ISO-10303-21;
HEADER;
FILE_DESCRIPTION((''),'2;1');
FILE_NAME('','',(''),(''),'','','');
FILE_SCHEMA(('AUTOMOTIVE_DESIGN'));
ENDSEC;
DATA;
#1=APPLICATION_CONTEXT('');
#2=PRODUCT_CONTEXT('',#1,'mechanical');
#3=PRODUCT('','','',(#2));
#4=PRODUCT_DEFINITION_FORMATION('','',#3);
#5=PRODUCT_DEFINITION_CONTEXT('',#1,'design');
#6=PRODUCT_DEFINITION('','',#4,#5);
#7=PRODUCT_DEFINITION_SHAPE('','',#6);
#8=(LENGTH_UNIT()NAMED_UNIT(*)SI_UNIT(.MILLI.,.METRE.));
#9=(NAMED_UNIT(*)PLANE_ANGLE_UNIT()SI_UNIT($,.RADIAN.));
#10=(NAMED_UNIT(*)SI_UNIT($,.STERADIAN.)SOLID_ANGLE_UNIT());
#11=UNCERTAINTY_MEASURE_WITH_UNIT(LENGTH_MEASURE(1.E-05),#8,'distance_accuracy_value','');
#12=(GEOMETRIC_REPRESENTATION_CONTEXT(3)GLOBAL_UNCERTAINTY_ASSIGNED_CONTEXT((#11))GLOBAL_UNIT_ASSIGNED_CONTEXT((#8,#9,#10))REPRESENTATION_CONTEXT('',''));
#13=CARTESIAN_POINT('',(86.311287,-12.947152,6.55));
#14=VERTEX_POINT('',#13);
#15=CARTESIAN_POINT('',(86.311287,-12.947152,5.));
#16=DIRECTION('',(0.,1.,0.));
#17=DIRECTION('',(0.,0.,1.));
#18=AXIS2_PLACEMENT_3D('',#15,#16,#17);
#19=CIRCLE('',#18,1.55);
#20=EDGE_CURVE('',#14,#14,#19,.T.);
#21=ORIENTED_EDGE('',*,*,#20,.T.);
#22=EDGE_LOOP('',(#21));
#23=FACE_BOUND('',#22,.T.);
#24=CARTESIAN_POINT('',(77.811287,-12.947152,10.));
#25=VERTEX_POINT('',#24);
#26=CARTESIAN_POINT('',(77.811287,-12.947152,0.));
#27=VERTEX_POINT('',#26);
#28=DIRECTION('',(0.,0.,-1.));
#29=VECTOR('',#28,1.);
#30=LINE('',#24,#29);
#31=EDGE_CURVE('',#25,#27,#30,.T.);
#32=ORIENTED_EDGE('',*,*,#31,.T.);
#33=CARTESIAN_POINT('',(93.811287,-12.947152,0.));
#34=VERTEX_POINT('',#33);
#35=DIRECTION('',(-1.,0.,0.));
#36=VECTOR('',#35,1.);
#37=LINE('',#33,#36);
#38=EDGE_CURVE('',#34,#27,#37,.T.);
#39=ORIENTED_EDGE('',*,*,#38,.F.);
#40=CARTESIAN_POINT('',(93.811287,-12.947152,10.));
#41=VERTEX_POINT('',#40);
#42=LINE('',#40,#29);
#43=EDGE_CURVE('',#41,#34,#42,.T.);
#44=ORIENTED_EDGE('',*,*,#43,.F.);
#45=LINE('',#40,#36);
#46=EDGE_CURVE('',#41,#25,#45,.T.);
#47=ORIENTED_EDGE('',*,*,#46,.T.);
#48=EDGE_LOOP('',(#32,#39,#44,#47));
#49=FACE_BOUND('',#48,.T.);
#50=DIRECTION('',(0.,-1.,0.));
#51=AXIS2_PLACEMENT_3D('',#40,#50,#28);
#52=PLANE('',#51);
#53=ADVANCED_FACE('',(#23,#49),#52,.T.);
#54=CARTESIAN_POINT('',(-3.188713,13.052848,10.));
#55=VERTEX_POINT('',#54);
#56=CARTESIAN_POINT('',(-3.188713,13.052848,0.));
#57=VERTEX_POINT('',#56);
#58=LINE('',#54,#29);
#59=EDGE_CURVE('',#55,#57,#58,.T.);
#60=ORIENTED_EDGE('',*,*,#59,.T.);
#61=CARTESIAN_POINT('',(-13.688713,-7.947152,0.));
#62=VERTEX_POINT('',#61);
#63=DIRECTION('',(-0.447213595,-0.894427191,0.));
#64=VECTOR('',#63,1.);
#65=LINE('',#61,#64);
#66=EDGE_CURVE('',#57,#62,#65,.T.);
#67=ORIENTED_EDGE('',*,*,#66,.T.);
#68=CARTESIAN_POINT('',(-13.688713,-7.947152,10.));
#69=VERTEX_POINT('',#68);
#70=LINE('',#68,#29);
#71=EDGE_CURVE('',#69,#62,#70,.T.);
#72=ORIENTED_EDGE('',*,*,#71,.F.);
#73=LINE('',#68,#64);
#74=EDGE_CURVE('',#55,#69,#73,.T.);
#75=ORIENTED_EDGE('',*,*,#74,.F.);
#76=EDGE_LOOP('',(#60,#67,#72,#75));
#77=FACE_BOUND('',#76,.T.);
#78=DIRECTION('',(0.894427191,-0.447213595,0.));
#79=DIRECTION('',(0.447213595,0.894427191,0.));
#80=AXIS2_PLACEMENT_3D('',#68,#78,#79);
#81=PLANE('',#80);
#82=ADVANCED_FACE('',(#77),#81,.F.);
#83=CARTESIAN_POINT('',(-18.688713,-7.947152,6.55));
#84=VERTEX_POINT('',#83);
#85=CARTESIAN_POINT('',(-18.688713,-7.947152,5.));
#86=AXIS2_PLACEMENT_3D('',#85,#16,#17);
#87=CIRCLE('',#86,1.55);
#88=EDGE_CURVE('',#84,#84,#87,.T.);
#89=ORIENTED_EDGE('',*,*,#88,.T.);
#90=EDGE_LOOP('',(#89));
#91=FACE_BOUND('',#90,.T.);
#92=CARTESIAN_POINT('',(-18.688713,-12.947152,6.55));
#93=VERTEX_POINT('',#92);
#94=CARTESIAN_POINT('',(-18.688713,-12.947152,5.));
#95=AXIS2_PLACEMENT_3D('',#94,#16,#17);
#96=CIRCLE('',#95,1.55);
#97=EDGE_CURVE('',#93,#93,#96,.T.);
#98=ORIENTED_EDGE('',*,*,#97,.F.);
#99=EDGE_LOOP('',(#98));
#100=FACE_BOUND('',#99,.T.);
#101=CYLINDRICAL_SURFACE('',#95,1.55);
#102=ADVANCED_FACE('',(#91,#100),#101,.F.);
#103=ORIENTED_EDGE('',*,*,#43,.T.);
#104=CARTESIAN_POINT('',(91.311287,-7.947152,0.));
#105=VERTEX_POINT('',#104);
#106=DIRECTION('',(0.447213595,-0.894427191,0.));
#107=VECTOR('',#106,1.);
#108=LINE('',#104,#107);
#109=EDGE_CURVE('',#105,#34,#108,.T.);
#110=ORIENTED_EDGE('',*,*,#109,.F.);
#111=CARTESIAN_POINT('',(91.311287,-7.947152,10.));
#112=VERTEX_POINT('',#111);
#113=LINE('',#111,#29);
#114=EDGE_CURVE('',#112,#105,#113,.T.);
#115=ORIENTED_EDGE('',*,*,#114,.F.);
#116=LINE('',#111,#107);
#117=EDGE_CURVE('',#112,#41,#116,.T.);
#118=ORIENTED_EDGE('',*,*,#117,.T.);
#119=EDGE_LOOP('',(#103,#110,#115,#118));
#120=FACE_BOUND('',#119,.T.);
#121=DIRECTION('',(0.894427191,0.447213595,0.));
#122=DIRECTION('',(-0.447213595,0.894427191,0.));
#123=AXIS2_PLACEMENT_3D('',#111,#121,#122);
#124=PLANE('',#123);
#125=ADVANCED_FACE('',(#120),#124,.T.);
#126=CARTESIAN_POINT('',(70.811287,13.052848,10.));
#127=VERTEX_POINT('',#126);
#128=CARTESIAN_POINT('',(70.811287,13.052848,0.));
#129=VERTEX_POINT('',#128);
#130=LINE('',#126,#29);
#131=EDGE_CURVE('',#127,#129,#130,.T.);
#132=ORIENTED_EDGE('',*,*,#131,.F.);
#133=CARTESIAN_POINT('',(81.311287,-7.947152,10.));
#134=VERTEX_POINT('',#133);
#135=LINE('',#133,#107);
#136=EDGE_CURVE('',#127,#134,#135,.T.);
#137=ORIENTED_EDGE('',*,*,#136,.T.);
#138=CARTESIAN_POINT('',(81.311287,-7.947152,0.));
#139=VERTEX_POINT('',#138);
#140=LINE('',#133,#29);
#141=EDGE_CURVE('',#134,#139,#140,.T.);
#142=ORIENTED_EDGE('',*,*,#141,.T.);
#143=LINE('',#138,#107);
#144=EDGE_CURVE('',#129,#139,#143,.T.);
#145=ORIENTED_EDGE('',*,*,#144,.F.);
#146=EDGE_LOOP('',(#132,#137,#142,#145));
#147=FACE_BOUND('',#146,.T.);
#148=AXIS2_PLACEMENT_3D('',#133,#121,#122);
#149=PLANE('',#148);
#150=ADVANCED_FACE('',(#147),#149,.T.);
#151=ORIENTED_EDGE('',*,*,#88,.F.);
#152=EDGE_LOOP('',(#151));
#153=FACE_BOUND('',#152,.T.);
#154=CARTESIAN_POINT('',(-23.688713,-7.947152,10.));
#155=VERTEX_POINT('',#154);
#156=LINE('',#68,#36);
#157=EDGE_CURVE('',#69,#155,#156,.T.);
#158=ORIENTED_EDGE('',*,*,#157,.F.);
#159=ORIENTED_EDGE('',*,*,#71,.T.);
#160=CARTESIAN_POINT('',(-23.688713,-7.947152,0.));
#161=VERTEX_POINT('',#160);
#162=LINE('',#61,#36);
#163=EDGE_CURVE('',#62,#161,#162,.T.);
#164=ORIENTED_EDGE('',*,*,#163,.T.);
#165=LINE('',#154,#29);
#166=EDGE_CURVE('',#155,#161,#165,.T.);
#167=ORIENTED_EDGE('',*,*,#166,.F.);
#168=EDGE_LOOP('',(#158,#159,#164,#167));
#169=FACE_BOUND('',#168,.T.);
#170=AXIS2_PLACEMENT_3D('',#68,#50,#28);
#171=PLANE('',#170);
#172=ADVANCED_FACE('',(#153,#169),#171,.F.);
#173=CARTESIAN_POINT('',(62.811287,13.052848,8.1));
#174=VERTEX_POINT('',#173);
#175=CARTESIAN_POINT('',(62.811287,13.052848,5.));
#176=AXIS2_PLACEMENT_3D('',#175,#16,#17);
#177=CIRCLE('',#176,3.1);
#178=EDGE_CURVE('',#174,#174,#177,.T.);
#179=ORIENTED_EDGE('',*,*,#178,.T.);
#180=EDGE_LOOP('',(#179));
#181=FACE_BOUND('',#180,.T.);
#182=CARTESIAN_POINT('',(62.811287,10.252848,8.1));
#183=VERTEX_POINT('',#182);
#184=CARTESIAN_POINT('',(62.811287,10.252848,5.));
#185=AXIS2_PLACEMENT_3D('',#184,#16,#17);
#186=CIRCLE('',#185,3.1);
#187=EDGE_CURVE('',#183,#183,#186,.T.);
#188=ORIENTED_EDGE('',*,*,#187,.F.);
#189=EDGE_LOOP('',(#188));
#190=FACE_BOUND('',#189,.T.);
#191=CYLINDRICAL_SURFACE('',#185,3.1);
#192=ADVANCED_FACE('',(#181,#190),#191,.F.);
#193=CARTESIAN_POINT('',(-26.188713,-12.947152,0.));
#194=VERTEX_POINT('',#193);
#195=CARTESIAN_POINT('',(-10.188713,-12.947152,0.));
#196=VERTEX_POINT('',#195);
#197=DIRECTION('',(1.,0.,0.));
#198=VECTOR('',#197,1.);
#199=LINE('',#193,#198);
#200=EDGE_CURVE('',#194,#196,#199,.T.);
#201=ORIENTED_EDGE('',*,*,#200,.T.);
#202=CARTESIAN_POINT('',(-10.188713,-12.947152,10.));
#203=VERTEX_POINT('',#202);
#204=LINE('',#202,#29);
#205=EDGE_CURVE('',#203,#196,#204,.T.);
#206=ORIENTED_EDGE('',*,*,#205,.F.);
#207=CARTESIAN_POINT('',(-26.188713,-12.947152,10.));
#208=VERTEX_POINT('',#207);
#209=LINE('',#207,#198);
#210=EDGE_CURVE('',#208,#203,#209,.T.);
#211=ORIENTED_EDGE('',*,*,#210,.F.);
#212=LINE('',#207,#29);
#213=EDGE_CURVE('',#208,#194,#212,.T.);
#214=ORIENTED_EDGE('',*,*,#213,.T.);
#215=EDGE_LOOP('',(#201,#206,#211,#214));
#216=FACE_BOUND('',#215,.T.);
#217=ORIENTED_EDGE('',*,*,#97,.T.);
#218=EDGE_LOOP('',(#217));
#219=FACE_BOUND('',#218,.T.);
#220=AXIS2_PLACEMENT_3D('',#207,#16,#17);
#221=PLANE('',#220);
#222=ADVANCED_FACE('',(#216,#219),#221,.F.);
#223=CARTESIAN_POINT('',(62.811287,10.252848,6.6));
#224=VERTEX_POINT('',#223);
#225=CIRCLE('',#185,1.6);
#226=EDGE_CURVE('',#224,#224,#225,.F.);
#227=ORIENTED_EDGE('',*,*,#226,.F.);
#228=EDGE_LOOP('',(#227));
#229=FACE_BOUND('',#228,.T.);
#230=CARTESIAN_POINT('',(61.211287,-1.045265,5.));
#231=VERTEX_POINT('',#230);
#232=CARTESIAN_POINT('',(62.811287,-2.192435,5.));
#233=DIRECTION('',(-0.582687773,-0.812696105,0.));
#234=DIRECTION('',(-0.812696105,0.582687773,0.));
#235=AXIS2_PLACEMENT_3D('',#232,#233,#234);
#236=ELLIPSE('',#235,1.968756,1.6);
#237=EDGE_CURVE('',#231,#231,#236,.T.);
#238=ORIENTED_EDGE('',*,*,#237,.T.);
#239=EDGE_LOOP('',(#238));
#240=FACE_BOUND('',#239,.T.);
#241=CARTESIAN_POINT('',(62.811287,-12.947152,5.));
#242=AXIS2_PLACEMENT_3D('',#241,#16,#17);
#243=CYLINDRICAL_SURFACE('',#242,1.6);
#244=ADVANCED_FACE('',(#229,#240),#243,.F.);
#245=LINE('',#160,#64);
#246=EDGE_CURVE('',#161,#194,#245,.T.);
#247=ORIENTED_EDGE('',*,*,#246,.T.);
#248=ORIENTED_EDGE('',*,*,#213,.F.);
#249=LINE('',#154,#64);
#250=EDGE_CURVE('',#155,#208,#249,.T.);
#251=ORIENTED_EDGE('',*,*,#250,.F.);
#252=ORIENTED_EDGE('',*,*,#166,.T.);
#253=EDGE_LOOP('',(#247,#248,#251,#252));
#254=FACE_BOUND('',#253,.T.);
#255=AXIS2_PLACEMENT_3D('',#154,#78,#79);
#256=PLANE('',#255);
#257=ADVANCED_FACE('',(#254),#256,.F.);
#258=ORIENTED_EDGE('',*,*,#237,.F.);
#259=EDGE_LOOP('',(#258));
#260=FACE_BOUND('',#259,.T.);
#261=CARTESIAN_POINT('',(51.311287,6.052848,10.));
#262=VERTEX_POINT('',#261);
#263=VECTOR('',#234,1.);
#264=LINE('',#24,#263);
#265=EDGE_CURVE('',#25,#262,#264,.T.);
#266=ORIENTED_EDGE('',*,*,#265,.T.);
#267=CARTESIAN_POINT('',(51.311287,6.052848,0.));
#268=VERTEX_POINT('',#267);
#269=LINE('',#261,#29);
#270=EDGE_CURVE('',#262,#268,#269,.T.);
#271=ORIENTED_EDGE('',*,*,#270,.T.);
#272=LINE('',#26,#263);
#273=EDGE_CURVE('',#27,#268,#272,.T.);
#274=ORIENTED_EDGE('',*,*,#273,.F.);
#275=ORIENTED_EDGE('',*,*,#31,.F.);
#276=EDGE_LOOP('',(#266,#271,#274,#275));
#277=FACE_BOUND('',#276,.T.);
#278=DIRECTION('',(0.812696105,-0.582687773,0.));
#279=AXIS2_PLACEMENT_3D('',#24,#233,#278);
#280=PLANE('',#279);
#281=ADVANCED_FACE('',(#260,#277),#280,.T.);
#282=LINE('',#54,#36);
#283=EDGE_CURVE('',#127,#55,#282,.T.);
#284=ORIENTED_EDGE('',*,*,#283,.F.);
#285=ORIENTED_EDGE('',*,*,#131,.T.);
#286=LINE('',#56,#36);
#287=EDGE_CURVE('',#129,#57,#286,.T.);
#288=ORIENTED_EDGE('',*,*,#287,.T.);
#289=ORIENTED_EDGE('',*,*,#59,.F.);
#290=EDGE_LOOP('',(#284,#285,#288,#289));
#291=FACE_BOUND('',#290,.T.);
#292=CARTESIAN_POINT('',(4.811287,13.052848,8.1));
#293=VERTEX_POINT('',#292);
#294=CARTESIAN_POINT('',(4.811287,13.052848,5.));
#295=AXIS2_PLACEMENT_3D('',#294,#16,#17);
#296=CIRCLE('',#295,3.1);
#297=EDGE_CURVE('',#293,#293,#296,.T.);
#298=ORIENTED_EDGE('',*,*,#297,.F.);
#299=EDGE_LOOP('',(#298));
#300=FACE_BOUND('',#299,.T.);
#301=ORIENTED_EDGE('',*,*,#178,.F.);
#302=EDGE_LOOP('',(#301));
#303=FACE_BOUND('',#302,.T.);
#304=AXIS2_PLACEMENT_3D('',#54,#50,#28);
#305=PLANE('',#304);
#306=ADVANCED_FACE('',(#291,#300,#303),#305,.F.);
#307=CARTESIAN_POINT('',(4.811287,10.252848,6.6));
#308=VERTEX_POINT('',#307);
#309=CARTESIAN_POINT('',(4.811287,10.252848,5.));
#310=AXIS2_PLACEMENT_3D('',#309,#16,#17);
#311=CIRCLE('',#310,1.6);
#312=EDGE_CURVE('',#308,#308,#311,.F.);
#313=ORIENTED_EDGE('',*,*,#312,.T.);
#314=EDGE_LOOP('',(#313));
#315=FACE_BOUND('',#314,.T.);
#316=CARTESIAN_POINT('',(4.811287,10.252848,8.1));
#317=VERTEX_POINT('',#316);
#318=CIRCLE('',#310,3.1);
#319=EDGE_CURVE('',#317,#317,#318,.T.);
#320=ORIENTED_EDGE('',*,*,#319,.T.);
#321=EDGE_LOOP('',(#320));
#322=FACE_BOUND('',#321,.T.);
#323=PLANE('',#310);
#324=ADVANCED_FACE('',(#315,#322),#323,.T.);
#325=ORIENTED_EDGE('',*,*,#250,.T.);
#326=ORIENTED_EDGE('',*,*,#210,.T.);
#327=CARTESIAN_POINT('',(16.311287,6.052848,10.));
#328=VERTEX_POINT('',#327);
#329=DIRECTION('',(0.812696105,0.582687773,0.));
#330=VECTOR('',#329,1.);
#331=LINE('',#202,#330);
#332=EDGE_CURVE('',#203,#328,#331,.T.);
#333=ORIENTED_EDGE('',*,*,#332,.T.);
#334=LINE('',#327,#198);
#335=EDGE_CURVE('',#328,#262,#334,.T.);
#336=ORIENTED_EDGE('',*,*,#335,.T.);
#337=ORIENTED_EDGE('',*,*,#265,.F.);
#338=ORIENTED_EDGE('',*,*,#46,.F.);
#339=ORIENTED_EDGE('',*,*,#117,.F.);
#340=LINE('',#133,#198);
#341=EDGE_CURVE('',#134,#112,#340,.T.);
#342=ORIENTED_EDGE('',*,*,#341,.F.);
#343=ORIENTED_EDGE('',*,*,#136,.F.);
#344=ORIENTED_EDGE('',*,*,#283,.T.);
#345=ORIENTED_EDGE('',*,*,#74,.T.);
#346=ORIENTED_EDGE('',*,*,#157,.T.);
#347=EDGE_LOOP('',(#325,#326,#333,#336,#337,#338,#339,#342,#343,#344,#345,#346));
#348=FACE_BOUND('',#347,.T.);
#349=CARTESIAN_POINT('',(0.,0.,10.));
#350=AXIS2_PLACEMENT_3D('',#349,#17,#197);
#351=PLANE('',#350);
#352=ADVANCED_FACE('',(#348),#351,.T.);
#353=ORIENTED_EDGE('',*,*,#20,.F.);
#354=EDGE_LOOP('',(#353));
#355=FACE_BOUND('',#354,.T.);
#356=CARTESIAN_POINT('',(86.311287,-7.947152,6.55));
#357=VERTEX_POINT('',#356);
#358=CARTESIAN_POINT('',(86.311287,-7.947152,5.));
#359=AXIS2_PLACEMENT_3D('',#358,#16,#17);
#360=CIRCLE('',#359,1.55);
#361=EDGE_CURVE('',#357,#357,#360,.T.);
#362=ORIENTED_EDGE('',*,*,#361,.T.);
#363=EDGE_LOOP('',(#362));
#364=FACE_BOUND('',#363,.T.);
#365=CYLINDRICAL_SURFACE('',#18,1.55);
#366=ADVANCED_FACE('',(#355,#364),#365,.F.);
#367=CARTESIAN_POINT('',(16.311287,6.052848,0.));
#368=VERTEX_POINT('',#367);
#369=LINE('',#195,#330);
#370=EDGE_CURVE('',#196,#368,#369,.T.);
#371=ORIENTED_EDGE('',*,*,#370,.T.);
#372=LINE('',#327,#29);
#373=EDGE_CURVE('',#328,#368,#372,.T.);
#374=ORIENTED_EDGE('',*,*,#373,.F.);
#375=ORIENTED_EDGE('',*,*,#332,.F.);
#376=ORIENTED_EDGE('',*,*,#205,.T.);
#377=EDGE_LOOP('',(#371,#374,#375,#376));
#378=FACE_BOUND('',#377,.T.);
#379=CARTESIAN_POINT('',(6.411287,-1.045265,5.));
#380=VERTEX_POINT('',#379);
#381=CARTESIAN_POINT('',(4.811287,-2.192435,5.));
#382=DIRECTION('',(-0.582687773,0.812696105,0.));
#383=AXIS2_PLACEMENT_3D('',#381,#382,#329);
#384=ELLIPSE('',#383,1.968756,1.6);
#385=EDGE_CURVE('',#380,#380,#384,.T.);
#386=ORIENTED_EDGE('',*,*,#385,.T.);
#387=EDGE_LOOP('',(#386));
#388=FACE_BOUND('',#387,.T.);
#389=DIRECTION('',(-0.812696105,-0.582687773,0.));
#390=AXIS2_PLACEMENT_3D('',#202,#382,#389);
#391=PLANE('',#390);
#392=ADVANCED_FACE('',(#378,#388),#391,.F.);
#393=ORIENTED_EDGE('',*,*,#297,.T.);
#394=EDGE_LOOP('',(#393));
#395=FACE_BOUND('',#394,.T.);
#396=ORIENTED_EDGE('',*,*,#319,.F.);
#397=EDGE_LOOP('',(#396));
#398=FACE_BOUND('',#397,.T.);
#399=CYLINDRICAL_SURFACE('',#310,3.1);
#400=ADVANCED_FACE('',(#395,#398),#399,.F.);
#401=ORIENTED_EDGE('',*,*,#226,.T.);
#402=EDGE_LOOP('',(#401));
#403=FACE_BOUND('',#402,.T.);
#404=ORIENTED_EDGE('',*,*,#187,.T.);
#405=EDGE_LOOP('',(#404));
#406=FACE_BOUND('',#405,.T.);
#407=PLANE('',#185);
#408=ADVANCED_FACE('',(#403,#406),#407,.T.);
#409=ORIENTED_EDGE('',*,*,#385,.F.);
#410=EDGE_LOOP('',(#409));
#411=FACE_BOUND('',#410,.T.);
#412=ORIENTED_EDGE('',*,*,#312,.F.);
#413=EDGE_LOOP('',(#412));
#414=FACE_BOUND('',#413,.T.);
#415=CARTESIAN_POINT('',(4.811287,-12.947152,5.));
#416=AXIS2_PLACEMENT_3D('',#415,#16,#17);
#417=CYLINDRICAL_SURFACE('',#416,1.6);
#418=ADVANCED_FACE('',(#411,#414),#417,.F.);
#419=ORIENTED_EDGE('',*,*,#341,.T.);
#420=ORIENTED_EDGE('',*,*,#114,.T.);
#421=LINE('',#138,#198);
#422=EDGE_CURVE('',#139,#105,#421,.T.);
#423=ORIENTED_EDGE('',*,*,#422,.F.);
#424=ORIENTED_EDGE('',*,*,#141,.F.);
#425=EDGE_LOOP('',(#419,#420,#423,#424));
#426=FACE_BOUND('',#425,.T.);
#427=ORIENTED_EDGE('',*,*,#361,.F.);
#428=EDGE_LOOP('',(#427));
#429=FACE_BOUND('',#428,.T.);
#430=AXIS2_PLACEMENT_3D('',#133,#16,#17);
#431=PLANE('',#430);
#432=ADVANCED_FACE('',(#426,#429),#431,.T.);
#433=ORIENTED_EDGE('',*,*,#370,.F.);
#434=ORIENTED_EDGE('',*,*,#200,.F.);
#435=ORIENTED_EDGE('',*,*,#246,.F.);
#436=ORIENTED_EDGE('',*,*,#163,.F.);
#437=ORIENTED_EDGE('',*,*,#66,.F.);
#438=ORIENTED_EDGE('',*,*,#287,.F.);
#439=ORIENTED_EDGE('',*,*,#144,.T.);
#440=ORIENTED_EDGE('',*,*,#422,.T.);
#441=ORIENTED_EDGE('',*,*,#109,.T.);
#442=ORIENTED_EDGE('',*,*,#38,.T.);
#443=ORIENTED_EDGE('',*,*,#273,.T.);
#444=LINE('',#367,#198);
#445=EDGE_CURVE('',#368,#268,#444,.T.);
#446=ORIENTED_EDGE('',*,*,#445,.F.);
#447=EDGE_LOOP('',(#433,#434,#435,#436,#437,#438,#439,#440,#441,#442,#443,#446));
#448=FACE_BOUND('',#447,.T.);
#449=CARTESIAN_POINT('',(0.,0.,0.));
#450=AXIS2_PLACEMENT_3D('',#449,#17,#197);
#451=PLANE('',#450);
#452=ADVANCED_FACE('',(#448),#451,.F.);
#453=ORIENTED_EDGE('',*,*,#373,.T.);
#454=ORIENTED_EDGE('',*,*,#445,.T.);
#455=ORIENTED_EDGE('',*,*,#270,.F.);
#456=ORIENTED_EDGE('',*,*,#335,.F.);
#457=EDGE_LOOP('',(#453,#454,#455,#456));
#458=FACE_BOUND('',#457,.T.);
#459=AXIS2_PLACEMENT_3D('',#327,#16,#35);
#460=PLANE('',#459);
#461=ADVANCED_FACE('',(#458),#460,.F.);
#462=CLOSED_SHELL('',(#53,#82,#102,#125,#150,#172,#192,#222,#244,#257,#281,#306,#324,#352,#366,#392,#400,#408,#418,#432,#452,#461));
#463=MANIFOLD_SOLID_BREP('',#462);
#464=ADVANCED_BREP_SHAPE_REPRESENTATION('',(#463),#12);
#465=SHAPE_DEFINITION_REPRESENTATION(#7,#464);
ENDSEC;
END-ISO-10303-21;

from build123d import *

# Parameters (mm, degrees)
EXTRUDE_1_DEPTH     = 10
SKETCH_2_R          = 1.6
CUT_EXTRUDE_2_DEPTH = 27
SKETCH_3_R          = 3.1
CUT_EXTRUDE_3_DEPTH = 2.8
SKETCH_5_R          = 1.55
CUT_EXTRUDE_4_DEPTH = 6


with BuildPart() as part:
    # 草图1 → 凸台-拉伸1 (new body)
    with BuildSketch(Plane.XY):
        Polygon((-3.188712924, 13.052848472), (33.811287076, 13.052848472), (33.811287076, 6.052848472), (16.311287076, 6.052848472), (-10.188712924, -12.947151528), (-26.188712924, -12.947151528), (-23.688712924, -7.947151528), (-13.688712924, -7.947151528), align=None)
    extrude_1 = extrude(amount=EXTRUDE_1_DEPTH)

    # 镜向1: 凸台-拉伸1 across plane
    add(extrude_1.mirror(Plane(origin=(33.811287076, 13.052848472, 10), x_dir=(0, 0, 1), z_dir=(-1, 0, 0))))

    # 草图2 → 切除-拉伸2 (cut, through all)
    with BuildSketch(Plane(origin=(0, 13.052848472, 0), x_dir=(1, 0, 0), z_dir=(0, 1, 0))):
        with Locations((4.811287076, -5)):
            Circle(SKETCH_2_R)
        with Locations((62.811287076, -5)):
            Circle(SKETCH_2_R)
    extrude(amount=-CUT_EXTRUDE_2_DEPTH, mode=Mode.SUBTRACT)

    # 草图3 → 切除-拉伸3 (cut)
    with BuildSketch(Plane(origin=(0, 13.052848472, 0), x_dir=(1, 0, 0), z_dir=(0, 1, 0))):
        with Locations((4.811287076, -5)):
            Circle(SKETCH_3_R)
        with Locations((62.811287076, -5)):
            Circle(SKETCH_3_R)
    extrude(amount=-CUT_EXTRUDE_3_DEPTH, mode=Mode.SUBTRACT)

    # 草图5 → 切除-拉伸4 (cut, through all)
    with BuildSketch(Plane(origin=(0, -7.947151528, 0), x_dir=(1, 0, 0), z_dir=(0, 1, 0))):
        with Locations((-18.688712924, -5)):
            Circle(SKETCH_5_R)
        with Locations((86.311287076, -5)):
            Circle(SKETCH_5_R)
    extrude(amount=-CUT_EXTRUDE_4_DEPTH, mode=Mode.SUBTRACT)


solid = part.part
